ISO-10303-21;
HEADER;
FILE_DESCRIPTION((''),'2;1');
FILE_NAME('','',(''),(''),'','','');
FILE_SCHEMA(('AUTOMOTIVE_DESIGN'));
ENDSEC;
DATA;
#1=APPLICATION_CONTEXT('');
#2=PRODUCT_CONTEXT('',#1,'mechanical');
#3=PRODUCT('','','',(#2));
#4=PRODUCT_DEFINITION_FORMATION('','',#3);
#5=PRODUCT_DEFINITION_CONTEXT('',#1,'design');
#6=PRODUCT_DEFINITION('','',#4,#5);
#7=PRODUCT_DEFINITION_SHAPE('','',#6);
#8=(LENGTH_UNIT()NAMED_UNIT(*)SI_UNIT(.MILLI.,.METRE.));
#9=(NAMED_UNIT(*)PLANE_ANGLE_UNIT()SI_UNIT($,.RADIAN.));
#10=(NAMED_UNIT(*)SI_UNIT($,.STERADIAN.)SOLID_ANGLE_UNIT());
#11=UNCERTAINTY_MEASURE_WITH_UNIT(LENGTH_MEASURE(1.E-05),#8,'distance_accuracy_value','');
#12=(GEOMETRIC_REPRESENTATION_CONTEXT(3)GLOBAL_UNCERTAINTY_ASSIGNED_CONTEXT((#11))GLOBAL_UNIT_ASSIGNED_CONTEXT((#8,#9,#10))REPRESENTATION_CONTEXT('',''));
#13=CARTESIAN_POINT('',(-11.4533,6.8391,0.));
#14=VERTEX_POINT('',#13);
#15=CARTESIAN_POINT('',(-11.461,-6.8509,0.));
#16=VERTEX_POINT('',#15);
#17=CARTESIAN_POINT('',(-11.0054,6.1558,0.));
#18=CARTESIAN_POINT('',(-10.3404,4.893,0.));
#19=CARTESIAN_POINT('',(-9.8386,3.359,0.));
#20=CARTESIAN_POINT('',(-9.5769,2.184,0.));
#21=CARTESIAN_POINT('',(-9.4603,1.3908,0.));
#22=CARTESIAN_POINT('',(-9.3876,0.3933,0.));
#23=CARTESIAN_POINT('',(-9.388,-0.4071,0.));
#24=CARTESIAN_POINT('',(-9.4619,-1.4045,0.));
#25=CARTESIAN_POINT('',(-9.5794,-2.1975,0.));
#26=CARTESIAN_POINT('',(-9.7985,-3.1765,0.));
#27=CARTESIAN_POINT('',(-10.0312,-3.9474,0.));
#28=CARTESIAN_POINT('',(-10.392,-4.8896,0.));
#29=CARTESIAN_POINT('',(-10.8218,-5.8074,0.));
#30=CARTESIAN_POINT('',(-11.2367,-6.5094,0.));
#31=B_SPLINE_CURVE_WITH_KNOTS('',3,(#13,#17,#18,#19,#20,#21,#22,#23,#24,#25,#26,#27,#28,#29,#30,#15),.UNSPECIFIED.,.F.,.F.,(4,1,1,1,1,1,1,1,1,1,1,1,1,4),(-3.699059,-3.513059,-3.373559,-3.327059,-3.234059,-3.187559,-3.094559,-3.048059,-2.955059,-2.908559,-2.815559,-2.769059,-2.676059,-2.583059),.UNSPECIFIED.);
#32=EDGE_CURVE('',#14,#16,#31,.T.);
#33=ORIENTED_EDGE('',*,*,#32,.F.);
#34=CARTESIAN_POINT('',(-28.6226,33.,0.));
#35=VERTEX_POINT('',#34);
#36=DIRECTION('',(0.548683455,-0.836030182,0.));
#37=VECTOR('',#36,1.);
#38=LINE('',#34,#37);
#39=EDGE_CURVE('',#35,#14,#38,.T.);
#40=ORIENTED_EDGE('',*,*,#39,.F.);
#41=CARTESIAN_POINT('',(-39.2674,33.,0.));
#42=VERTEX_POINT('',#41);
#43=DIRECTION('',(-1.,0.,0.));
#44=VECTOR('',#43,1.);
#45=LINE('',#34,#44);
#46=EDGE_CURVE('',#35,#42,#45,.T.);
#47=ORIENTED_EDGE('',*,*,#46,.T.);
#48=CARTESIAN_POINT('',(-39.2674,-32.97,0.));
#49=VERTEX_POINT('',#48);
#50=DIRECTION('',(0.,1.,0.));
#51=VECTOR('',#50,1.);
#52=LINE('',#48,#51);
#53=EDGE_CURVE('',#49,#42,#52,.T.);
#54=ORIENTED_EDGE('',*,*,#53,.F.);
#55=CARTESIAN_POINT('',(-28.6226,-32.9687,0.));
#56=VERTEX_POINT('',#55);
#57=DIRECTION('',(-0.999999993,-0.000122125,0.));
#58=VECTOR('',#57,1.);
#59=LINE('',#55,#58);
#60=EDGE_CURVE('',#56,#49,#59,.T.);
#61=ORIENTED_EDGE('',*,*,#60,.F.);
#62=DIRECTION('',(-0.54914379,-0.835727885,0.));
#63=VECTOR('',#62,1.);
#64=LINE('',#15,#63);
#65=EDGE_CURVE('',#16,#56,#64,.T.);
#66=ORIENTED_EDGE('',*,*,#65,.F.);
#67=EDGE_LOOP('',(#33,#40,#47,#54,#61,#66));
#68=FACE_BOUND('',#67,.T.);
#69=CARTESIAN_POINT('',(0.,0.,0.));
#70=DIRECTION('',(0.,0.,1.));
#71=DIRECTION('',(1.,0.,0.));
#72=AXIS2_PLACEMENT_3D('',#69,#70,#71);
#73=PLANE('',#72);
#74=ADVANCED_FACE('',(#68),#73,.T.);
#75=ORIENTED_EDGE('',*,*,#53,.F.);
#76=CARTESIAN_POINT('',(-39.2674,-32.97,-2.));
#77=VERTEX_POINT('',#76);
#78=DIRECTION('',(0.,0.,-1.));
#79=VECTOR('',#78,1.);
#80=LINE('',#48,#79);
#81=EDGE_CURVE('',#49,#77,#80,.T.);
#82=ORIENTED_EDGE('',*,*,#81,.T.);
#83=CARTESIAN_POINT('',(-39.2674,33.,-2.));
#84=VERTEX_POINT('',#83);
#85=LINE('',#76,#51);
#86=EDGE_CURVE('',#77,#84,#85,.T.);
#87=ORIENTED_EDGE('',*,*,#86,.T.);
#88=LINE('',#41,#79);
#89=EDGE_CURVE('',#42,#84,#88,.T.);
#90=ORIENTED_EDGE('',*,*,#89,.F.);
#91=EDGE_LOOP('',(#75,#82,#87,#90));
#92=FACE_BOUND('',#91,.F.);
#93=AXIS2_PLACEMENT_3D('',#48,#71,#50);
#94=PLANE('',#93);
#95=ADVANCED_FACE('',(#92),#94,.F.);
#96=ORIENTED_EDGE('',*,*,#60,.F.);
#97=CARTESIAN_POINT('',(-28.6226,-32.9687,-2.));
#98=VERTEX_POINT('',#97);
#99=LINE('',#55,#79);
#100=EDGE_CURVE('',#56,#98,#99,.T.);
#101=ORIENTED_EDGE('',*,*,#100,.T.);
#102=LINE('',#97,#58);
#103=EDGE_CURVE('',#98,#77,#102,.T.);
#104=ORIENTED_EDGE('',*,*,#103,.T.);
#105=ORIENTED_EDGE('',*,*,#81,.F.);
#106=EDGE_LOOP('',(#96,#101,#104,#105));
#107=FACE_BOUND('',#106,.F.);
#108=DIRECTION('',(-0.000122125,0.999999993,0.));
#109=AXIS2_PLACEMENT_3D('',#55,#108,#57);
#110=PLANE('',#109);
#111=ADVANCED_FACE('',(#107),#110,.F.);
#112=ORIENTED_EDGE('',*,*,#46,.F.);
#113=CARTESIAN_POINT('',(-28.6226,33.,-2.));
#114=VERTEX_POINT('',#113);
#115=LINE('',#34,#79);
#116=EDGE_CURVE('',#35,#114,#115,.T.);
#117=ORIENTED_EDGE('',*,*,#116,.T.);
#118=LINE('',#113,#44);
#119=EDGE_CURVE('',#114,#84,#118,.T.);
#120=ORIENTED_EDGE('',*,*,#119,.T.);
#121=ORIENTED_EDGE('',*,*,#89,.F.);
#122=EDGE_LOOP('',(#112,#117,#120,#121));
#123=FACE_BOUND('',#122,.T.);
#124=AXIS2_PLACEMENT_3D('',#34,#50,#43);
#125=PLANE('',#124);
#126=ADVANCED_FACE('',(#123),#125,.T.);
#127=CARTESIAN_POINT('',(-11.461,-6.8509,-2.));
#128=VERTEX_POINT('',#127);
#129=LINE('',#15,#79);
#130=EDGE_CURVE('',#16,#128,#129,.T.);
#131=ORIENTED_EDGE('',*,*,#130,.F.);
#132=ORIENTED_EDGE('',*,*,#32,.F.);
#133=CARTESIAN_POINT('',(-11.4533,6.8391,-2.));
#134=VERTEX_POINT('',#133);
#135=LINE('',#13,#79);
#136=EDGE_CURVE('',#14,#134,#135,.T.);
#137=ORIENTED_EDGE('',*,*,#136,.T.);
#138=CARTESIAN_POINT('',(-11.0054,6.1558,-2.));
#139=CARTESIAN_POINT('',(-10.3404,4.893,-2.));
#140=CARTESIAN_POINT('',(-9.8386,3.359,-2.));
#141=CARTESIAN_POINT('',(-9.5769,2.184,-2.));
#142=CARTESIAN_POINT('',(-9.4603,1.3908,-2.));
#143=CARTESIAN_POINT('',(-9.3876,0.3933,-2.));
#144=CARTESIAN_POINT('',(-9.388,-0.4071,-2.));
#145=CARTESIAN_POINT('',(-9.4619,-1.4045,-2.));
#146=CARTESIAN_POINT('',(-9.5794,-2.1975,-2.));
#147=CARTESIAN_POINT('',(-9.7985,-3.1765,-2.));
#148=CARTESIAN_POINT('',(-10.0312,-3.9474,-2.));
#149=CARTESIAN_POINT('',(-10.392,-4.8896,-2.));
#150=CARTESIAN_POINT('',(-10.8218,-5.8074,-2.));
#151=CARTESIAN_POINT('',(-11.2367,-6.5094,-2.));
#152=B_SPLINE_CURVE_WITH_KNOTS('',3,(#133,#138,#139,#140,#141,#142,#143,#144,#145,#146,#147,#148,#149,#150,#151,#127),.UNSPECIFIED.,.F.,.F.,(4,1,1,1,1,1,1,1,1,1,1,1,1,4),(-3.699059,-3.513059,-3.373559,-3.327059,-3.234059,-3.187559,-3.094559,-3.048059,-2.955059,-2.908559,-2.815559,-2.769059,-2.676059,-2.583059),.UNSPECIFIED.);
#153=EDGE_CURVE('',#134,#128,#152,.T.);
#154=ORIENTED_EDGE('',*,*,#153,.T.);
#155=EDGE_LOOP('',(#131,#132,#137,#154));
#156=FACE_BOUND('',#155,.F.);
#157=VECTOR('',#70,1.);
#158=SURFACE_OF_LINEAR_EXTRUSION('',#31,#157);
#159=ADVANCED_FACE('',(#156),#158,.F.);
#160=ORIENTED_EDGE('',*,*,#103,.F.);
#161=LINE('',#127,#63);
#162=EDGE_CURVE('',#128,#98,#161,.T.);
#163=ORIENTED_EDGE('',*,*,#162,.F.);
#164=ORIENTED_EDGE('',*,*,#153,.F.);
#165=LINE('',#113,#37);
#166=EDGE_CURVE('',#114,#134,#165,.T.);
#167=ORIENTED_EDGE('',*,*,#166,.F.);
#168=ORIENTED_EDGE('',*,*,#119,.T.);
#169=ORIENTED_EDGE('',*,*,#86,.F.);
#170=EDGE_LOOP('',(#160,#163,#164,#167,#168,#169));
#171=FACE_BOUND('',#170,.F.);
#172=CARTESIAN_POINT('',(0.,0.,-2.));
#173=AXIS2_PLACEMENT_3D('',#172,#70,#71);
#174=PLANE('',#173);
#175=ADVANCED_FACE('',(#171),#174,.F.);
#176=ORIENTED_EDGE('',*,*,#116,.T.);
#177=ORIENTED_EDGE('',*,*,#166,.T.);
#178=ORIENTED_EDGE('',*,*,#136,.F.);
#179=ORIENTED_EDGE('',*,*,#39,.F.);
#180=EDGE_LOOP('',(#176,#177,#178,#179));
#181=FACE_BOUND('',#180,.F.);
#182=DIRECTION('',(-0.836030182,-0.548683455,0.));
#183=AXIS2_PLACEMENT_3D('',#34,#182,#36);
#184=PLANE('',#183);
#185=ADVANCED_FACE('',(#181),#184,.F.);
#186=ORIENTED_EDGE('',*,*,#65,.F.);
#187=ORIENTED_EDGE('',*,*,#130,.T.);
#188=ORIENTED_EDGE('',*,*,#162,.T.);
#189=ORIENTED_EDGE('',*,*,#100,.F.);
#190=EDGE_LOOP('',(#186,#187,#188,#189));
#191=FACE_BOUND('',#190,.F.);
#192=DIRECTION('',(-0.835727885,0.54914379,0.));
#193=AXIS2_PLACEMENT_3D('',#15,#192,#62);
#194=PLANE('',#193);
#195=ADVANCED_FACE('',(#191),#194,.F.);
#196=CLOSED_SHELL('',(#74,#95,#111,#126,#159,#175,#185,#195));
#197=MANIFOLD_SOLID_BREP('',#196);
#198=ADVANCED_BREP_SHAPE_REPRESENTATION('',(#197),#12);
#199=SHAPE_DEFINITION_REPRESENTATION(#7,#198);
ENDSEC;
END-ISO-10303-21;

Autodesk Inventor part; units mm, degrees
ref_plane "YZ Plane" through (0, 0, 0) normal (1, 0, 0) x (0, 1, 0)
ref_plane "XZ Plane" through (0, 0, 0) normal (0, 1, 0) x (-1, 0, 0)
ref_plane "XY Plane" through (0, 0, 0) normal (0, 0, 1) x (1, 0, 0)
sketch "스케치1" plane through (0, 0, 0) normal (0, 0, 1) x (1, 0, 0)
  line L0 (-11.461, -6.8509) -> (-28.6226, -32.9687) projected
  line L1 (-28.6226, -32.9687) -> (-39.2674, -32.97) projected
  line L2 (-39.2674, -32.97) -> (-39.2674, 33) projected
  spline S0 degree 3 poles (-11.4533, 6.8391) (-11.0054, 6.1558) (-10.3404, 4.893) (-9.8386, 3.359) (-9.5769, 2.184) (-9.4603, 1.3908) (-9.3876, 0.3933) (-9.388, -0.4071) (-9.4619, -1.4045) (-9.5794, -2.1975) (-9.7985, -3.1765) (-10.0312, -3.9474) (-10.392, -4.8896) (-10.8218, -5.8074) (-11.2367, -6.5094) (-11.461, -6.8509) knots -3.699059 -3.699059 -3.699059 -3.699059 -3.513059 -3.373559 -3.327059 -3.234059 -3.187559 -3.094559 -3.048059 -2.955059 -2.908559 -2.815559 -2.769059 -2.676059 -2.583059 -2.583059 -2.583059 -2.583059 projected
  line L3 (-28.6226, -32.9687) -> (-28.6226, 33)
  line L4 (-28.6226, 33) -> (-39.2674, 33)
  line L5 (-28.6226, 33) -> (-11.4533, 6.8391)
  point P0 (0, 0)
extrude "돌출1" add sketch "스케치1" against normal blind 2
properties part number "본체 창"
